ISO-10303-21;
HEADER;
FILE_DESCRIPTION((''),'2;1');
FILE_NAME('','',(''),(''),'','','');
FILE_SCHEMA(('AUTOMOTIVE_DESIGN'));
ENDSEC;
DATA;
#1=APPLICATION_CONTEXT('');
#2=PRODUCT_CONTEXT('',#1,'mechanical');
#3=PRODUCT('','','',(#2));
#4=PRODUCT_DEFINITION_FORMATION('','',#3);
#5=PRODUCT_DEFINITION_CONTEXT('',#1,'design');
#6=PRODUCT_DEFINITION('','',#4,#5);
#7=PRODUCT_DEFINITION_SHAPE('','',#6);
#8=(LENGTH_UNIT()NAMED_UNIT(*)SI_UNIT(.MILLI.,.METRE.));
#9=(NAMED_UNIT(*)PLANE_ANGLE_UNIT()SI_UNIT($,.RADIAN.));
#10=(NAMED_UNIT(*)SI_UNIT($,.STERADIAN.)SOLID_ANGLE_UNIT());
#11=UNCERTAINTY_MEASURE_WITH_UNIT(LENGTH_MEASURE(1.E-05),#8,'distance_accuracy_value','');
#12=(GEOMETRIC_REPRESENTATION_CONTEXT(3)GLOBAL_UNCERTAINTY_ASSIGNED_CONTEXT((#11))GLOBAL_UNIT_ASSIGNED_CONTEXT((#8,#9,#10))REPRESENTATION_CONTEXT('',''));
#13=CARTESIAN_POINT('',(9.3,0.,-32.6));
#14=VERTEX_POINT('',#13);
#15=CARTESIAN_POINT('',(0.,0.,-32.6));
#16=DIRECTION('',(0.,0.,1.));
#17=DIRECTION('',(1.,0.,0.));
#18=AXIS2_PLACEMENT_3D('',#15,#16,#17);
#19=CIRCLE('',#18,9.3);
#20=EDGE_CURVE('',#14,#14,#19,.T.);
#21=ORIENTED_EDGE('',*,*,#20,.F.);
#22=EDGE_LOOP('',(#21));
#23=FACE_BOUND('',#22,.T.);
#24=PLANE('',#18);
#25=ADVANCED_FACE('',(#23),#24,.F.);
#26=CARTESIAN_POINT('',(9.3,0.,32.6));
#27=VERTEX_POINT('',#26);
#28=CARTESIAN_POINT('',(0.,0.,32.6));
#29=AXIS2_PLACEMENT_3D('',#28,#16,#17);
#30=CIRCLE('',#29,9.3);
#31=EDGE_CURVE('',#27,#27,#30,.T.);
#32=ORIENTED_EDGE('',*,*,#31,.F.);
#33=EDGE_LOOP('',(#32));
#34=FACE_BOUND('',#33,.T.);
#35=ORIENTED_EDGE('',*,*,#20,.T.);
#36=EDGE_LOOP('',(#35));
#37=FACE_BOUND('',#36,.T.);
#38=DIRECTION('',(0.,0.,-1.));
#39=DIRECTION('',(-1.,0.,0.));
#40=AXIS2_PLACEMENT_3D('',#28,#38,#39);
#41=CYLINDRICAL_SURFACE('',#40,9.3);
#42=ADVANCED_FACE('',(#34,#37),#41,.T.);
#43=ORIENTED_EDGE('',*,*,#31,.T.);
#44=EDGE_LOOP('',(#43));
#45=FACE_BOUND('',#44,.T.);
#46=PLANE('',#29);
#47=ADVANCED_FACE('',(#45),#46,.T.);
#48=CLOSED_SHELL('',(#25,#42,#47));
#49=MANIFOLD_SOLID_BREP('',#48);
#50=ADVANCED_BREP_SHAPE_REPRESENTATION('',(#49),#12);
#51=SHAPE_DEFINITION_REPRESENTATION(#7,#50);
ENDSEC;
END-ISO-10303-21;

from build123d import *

# Parameters (mm, degrees)
SKETCH_1_R      = 9.3
EXTRUDE_1_DEPTH = 32.6


with BuildPart() as part:
    # Эскиз1 → Бобышка-Вытянуть1 (new, symmetric)
    with BuildSketch(Plane.XY):
        Circle(SKETCH_1_R)
    extrude(amount=EXTRUDE_1_DEPTH, both=True)


solid = part.part
